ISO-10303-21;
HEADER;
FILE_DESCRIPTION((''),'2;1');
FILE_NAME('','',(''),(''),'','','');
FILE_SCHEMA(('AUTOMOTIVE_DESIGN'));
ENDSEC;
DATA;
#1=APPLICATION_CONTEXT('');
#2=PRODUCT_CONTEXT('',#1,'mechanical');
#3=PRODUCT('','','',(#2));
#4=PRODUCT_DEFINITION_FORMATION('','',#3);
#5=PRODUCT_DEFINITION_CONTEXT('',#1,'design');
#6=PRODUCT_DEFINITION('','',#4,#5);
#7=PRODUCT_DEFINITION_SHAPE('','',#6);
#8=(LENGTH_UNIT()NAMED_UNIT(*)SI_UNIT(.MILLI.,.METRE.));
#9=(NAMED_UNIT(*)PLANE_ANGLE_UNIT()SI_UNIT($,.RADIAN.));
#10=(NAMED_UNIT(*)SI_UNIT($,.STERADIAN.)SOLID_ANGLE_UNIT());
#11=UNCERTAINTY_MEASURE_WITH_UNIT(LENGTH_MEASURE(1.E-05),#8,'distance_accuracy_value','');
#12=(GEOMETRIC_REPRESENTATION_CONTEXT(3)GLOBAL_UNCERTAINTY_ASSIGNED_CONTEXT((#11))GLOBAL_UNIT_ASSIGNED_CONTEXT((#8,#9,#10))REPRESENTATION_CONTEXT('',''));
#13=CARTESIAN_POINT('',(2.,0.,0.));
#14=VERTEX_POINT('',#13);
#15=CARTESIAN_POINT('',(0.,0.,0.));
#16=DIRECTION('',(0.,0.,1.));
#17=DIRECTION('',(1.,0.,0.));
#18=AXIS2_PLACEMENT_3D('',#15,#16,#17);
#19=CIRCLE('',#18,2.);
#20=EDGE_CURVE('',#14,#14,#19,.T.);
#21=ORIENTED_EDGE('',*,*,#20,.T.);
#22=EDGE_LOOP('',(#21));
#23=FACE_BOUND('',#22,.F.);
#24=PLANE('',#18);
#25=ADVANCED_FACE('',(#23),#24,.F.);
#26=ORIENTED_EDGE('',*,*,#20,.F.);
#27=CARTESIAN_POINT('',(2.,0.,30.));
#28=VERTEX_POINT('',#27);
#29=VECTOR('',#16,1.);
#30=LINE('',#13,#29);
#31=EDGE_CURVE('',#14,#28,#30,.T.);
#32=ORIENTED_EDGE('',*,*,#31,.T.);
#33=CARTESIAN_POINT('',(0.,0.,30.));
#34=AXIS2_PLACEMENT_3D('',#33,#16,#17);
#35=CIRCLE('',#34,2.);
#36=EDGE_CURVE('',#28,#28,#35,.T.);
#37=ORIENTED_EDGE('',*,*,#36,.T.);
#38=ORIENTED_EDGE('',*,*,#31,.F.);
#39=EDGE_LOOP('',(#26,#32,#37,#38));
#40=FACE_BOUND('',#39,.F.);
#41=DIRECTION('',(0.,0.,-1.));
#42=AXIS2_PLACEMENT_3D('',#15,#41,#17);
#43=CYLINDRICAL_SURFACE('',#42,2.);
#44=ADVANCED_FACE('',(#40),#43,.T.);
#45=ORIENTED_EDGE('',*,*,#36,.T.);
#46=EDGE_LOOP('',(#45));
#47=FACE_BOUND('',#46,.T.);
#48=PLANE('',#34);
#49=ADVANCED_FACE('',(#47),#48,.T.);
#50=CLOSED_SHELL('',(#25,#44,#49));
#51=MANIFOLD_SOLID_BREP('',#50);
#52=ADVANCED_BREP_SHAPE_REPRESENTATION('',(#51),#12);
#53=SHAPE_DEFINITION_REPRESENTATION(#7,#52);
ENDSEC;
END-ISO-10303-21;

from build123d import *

# Parameters (mm, degrees)
SKETCH1_R           = 2
BOSS_EXTRUDE1_DEPTH = 30


with BuildPart() as part:
    # Sketch1 → Boss-Extrude1 (new body)
    with BuildSketch(Plane.XY):
        Circle(SKETCH1_R)
    extrude(amount=BOSS_EXTRUDE1_DEPTH)


solid = part.part
